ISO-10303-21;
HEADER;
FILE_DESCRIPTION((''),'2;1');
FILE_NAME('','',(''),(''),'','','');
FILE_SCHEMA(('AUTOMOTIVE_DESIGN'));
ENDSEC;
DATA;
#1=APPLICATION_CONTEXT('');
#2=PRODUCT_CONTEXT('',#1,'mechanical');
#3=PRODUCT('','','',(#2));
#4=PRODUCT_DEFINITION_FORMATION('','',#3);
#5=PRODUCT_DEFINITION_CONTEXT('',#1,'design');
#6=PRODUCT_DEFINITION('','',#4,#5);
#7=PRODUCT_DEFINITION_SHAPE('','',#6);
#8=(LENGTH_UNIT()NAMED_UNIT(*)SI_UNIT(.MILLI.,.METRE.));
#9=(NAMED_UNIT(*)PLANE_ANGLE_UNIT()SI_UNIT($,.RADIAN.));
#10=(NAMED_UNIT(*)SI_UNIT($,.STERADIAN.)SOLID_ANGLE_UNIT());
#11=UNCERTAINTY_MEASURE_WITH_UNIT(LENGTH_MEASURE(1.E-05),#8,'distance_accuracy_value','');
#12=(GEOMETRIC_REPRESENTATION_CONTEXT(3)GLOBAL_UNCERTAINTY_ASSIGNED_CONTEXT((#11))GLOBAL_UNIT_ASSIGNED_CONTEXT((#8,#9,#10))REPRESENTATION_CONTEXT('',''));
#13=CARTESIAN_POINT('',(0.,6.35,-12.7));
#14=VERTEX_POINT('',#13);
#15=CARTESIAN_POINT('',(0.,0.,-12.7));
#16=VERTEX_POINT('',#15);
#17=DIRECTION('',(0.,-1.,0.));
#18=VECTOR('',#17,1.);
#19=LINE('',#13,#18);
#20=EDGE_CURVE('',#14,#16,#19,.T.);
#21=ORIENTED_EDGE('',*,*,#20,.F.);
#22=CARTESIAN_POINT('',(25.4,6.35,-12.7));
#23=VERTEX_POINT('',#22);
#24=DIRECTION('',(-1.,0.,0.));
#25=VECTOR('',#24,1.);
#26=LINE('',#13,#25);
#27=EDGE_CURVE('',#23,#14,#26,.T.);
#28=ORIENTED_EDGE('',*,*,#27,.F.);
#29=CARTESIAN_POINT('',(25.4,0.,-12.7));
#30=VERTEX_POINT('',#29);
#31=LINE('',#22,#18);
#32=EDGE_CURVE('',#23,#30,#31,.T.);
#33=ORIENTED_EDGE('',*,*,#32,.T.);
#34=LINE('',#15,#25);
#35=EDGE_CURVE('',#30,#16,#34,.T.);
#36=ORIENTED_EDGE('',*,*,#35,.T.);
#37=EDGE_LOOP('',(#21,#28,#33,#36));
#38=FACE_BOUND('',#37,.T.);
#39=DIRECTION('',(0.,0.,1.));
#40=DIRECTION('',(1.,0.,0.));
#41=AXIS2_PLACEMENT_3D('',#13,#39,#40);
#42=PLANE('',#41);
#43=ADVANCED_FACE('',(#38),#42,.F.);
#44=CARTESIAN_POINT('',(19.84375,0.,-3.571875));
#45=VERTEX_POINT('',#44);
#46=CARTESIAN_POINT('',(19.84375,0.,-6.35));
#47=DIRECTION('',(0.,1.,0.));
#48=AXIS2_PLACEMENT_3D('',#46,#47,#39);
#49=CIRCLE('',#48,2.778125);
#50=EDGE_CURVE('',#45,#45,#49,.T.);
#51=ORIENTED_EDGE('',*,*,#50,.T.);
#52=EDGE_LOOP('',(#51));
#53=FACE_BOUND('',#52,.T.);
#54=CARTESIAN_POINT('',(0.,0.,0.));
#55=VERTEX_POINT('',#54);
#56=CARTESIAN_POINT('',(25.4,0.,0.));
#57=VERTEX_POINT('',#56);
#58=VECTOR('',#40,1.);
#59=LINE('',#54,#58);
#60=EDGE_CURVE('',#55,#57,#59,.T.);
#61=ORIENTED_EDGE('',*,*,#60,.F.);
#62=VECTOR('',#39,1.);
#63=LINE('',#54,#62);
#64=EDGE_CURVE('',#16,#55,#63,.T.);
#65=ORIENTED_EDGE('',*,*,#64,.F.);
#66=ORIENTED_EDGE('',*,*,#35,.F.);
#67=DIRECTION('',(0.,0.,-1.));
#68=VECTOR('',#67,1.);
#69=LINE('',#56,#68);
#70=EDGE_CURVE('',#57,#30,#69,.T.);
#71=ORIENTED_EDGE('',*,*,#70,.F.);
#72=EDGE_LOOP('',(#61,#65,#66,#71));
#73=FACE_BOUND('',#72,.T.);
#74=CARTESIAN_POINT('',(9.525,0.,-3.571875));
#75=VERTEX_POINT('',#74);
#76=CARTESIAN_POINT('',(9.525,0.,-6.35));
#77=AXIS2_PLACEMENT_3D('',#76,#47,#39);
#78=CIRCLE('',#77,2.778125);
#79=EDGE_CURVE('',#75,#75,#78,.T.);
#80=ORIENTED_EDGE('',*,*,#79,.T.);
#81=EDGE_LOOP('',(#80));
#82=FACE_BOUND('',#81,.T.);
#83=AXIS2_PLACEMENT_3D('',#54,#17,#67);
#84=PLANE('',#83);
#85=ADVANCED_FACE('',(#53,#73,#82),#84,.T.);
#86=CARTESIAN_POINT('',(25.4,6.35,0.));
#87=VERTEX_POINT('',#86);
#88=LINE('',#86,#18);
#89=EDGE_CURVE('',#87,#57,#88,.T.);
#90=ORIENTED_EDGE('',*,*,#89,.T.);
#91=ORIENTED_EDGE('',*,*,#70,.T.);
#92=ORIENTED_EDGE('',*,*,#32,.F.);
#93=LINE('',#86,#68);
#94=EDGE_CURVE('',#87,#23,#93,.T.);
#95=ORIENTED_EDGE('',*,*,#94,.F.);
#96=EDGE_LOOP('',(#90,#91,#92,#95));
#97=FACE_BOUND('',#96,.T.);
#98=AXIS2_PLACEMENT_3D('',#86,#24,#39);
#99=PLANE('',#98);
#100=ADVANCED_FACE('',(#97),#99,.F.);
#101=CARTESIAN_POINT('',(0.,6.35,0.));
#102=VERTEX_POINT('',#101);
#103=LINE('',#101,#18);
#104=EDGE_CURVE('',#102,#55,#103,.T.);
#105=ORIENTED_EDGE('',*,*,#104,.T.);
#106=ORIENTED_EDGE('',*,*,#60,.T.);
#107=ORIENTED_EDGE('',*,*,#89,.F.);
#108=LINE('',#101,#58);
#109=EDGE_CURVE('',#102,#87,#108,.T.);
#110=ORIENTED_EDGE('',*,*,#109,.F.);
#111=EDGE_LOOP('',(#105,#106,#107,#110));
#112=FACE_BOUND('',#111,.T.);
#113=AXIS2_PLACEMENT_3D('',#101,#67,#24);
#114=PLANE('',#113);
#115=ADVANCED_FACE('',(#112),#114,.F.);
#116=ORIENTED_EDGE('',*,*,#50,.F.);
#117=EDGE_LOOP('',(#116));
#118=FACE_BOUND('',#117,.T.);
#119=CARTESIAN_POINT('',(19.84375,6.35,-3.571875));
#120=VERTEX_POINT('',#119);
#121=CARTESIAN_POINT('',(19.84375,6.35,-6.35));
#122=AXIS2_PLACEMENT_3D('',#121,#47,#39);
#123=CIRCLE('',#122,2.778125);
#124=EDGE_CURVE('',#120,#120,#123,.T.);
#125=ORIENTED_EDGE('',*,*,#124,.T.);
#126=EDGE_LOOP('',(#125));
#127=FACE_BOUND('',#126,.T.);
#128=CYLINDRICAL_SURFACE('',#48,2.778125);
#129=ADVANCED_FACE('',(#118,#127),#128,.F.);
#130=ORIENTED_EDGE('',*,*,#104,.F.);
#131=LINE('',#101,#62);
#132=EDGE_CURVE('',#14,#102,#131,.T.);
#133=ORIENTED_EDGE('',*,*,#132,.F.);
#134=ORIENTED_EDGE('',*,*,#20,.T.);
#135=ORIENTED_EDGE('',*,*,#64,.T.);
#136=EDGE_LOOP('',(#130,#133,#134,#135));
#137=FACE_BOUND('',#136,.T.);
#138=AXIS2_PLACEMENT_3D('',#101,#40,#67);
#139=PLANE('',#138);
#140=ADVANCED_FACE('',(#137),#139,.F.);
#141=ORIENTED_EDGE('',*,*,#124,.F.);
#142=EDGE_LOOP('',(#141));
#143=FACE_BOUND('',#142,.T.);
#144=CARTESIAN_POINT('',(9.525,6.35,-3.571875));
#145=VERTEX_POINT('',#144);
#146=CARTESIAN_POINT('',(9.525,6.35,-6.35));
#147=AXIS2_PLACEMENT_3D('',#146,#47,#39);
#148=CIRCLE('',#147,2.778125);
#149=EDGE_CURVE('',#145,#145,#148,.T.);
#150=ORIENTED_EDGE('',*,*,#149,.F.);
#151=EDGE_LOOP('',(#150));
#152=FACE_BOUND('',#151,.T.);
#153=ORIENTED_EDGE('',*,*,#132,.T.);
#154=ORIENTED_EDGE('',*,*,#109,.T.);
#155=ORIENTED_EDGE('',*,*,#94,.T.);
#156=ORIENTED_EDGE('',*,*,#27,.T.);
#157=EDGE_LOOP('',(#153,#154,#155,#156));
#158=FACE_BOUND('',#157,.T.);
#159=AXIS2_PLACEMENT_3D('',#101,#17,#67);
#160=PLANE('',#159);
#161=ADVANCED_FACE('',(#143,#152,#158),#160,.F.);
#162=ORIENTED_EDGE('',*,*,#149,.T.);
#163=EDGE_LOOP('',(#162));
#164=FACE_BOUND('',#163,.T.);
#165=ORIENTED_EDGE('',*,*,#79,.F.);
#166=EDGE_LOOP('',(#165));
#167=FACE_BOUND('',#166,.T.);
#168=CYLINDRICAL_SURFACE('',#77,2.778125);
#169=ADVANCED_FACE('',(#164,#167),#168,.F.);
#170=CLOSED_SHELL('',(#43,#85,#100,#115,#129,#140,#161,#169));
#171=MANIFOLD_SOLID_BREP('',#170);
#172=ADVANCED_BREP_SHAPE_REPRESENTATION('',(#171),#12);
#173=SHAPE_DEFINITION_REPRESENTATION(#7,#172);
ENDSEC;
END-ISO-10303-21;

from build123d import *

# Parameters (mm, degrees)
SKETCH1_W           = 25.4
SKETCH1_H           = 12.7
BOSS_EXTRUDE2_DEPTH = 6.35
SKETCH2_R           = 2.778125
CUT_EXTRUDE1_DEPTH  = 6.35


with BuildPart() as part:
    # Sketch1 → Boss-Extrude2 (new body)
    with BuildSketch(Plane(origin=(0, 0, 0), x_dir=(1, 0, 0), z_dir=(0, 1, 0))):
        with Locations((12.7, 6.35)):
            Rectangle(SKETCH1_W, SKETCH1_H)
    extrude(amount=BOSS_EXTRUDE2_DEPTH)

    # Sketch2 → Cut-Extrude1 (cut)
    with BuildSketch(Plane(origin=(0, 6.35, 0), x_dir=(1, 0, 0), z_dir=(0, 1, 0))):
        with Locations(Location((19.84375, 6.35, 0), (0, 0, 270))):
            Circle(SKETCH2_R)
        with Locations(Location((9.525, 6.35, 0), (0, 0, 270))):
            Circle(SKETCH2_R)
    extrude(amount=-CUT_EXTRUDE1_DEPTH, mode=Mode.SUBTRACT)


solid = part.part
